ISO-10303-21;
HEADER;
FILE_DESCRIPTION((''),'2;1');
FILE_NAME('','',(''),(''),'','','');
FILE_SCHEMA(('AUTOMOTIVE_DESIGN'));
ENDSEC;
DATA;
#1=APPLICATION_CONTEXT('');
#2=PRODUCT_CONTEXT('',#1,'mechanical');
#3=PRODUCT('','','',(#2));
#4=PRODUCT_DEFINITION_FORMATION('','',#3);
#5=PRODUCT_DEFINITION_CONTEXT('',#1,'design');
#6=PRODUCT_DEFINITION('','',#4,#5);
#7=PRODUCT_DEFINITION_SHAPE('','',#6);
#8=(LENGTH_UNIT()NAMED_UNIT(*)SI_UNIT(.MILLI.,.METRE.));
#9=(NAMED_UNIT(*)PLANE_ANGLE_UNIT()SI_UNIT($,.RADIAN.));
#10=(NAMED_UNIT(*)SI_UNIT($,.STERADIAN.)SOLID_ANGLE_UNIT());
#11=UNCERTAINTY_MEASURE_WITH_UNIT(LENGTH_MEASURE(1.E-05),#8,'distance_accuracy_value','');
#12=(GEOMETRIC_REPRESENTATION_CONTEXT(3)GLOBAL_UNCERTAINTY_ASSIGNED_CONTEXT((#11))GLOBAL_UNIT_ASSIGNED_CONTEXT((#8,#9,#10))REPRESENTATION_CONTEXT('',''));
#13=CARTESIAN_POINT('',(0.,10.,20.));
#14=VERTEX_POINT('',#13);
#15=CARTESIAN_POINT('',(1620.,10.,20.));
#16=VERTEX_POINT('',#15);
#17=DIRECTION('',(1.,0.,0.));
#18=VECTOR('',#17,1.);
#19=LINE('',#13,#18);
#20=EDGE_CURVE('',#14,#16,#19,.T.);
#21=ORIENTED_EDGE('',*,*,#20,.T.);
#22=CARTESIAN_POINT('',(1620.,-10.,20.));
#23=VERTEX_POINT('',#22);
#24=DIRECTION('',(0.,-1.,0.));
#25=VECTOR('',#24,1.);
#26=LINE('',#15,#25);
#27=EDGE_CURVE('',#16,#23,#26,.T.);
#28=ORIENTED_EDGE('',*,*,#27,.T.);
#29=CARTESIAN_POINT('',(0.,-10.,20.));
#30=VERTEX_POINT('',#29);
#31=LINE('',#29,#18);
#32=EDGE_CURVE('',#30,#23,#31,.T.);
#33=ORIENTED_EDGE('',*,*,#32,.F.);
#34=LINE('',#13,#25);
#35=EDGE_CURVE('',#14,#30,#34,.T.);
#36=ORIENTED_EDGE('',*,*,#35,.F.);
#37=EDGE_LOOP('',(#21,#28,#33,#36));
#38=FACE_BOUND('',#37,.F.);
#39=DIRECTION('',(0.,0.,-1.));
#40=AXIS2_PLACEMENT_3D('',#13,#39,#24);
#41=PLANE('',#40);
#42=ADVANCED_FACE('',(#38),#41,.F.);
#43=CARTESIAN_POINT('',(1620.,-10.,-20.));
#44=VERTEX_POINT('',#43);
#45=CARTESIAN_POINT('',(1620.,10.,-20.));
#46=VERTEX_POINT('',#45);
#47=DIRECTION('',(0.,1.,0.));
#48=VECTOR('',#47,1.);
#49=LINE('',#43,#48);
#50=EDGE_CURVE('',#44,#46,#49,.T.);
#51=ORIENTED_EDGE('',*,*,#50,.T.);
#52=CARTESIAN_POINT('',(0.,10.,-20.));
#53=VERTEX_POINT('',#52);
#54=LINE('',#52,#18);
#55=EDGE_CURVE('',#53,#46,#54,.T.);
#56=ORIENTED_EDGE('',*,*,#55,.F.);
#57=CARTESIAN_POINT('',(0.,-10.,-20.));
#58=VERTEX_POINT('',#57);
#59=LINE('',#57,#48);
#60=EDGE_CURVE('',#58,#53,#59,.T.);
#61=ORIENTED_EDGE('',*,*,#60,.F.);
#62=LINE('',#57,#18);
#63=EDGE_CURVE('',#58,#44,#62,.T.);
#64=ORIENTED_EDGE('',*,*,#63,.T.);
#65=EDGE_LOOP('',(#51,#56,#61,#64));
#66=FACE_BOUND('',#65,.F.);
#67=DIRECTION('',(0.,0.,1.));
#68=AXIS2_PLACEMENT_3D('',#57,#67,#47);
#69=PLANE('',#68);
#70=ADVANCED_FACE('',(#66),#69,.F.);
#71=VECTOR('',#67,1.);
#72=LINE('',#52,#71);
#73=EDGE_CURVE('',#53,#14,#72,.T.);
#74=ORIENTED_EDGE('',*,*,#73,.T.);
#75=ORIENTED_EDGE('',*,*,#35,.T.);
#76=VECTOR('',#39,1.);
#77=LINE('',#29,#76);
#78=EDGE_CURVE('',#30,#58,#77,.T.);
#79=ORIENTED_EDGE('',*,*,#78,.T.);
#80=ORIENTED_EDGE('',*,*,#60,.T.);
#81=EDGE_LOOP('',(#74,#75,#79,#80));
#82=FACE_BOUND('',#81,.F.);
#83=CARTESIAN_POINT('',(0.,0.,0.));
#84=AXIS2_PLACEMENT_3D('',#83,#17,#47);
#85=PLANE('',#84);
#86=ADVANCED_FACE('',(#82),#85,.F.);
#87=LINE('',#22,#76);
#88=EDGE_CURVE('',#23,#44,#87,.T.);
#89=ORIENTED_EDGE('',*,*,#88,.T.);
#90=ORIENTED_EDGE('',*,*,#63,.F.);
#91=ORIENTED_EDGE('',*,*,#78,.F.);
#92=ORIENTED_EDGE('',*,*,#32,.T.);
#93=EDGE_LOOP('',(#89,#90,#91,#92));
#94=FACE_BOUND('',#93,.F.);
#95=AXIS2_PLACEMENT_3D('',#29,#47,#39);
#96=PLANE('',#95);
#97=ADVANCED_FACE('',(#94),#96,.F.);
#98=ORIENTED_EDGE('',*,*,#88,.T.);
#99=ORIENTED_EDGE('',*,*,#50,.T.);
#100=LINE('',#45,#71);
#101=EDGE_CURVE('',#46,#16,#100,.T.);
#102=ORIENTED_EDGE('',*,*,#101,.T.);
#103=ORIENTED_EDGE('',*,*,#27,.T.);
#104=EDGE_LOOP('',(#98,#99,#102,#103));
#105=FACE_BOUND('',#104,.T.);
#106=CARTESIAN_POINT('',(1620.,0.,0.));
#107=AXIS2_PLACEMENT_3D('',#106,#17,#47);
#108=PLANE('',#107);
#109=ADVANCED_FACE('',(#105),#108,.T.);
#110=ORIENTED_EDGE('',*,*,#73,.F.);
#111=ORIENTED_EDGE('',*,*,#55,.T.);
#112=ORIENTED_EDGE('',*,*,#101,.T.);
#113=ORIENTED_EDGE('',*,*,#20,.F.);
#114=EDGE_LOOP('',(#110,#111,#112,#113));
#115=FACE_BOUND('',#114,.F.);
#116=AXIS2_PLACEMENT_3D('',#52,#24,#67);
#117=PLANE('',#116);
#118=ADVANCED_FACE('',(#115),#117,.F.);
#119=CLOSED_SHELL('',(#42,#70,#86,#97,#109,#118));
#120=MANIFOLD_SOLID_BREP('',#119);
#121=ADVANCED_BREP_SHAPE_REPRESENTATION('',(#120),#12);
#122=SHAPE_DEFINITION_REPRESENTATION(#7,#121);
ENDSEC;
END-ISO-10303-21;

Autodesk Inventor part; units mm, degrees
ref_plane "YZ Plane" through (0, 0, 0) normal (1, 0, 0) x (0, 1, 0)
ref_plane "XZ Plane" through (0, 0, 0) normal (0, 1, 0) x (-1, 0, 0)
ref_plane "XY Plane" through (0, 0, 0) normal (0, 0, 1) x (1, 0, 0)
sketch "Skizze2" plane through (0, 0, 0) normal (1, 0, 0) x (0, 1, 0)
  line L0 (-10, -20) -> (10, -20)
  line L1 (10, -20) -> (10, 20)
  line L2 (10, 20) -> (-10, 20)
  line L3 (-10, 20) -> (-10, -20)
  line L4 (-10, -20) -> (10, 20) construction
  line L5 (10, -20) -> (-10, 20) construction
  point P0 (0, 0)
  dimension "d4" = 20
  dimension "d5" = 40
extrude "Extrusion2" add sketch "Skizze2" along normal blind 1620
properties part number "HFS5-2040-1620" material "EN AC-51400-T5 Equiv."
